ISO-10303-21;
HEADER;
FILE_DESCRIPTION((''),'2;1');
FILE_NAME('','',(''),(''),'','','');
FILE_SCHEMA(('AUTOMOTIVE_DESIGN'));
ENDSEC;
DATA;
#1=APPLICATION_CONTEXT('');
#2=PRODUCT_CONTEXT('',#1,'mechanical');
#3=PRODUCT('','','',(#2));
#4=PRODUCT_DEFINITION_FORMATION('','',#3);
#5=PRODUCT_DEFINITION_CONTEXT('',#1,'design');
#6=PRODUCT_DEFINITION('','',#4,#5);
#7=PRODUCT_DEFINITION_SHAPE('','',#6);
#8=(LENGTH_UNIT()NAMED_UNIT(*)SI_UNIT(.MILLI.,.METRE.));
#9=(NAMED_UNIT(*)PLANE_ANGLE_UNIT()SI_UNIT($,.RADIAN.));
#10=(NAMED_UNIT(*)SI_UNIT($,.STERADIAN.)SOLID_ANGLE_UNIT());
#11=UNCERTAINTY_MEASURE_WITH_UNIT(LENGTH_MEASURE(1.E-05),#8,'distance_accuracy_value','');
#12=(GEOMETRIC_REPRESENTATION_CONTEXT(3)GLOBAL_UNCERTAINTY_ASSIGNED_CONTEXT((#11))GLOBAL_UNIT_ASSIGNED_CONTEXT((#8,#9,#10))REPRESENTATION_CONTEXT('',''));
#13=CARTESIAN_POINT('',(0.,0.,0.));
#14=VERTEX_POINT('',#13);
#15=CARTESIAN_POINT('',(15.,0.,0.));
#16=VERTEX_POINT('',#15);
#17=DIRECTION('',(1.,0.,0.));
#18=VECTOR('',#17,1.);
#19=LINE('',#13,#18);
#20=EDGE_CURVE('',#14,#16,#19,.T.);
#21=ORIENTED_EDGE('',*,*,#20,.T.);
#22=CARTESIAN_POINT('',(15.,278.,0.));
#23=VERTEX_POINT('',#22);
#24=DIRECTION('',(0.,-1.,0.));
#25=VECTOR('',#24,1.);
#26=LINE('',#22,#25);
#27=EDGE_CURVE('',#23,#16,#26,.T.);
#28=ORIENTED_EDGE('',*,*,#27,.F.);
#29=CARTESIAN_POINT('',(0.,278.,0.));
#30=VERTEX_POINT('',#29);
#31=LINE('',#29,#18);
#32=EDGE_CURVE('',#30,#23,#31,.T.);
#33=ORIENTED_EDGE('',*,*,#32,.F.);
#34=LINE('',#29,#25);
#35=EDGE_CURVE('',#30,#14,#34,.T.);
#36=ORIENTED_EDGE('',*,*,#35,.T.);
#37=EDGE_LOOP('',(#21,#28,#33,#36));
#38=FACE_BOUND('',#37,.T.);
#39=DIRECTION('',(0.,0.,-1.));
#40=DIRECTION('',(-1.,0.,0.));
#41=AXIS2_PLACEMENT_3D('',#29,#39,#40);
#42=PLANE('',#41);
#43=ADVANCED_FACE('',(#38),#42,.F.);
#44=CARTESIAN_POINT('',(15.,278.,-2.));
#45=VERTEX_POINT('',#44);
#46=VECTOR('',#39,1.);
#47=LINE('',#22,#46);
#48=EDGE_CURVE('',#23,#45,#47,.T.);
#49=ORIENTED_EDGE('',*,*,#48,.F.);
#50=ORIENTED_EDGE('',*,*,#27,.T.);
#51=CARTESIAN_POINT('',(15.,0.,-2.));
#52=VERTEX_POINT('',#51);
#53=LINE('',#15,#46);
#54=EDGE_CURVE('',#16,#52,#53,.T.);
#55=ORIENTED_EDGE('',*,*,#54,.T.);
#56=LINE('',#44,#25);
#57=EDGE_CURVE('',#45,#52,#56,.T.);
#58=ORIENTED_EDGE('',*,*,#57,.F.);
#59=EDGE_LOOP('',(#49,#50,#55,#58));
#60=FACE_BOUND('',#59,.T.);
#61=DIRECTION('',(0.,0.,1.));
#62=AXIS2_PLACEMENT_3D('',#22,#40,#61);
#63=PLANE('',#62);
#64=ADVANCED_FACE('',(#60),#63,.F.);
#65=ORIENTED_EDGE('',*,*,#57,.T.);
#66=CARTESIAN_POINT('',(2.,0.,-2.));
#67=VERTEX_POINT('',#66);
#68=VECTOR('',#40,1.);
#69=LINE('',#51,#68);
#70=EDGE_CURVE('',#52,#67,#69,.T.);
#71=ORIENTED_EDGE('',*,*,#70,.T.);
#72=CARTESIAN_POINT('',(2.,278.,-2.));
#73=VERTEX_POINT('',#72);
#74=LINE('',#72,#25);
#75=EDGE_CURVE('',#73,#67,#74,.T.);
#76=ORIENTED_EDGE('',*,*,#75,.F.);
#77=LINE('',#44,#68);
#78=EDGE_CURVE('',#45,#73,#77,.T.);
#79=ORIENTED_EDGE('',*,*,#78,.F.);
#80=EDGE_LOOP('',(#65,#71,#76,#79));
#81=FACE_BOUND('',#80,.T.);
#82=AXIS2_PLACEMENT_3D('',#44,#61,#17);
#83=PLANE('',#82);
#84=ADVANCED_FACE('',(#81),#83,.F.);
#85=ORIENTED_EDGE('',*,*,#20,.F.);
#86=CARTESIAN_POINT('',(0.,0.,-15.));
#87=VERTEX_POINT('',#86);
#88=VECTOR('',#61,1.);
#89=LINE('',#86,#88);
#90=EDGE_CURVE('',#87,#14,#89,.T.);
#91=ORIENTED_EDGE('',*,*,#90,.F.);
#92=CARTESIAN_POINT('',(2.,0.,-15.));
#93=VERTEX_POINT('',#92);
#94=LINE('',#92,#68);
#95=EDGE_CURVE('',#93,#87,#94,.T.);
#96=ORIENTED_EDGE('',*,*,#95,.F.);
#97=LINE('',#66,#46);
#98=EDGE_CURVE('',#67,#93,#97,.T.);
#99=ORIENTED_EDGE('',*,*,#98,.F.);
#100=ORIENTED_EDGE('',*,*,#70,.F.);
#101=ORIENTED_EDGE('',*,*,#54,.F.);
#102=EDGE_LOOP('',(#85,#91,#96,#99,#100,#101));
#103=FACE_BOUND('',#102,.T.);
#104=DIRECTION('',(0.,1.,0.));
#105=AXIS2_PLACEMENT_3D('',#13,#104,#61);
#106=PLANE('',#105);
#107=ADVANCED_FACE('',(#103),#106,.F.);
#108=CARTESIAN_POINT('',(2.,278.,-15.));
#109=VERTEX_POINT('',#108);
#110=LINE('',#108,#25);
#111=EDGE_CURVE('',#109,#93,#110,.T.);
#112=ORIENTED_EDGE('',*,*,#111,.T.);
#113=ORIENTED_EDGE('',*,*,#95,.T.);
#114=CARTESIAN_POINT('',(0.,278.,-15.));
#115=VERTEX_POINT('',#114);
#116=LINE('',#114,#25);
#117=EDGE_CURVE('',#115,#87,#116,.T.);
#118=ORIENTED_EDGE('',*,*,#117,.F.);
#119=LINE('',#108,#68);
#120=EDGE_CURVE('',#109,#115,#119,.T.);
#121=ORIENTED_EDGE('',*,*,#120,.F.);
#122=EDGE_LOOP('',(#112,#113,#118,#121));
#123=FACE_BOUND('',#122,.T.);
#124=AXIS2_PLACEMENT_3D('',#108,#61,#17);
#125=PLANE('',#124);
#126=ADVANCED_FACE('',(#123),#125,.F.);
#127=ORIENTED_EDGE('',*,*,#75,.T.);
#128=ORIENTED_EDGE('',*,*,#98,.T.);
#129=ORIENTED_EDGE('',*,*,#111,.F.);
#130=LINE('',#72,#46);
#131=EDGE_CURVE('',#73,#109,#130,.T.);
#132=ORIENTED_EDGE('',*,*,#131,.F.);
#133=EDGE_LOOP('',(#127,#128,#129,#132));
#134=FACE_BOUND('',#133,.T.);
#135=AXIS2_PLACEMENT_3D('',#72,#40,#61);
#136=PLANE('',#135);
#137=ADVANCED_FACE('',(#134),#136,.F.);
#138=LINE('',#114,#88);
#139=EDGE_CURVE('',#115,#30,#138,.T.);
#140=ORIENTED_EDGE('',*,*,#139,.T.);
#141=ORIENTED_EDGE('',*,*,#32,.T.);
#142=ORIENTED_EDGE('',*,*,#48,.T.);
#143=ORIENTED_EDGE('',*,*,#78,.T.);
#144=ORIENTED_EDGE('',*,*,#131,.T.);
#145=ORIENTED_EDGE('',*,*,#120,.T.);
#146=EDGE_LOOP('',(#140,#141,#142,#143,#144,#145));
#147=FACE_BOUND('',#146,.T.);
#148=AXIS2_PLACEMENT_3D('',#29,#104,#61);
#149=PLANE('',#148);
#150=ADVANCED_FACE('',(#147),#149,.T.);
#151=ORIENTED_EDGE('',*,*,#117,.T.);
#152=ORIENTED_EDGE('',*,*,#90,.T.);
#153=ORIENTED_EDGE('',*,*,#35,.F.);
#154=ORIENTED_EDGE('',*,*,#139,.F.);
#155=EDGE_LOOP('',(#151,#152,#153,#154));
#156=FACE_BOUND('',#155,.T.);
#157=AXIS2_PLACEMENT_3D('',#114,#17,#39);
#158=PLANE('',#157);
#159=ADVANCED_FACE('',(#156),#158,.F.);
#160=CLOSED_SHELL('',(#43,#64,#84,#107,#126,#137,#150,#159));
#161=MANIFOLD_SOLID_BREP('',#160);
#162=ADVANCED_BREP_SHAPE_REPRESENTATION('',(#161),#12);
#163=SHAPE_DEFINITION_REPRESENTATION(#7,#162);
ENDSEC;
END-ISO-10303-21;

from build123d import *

# Parameters (mm, degrees)
AUFSATZ_LINEAR_AUSTRAGEN1_DEPTH = 278


with BuildPart() as part:
    # Skizze1 → Aufsatz-Linear austragen1 (new body)
    with BuildSketch(Plane(origin=(0, 0, 0), x_dir=(1, 0, 0), z_dir=(0, 1, 0))):
        Polygon((0, 0), (15, 0), (15, 2), (2, 2), (2, 15), (0, 15), align=None)
    extrude(amount=AUFSATZ_LINEAR_AUSTRAGEN1_DEPTH)


solid = part.part
